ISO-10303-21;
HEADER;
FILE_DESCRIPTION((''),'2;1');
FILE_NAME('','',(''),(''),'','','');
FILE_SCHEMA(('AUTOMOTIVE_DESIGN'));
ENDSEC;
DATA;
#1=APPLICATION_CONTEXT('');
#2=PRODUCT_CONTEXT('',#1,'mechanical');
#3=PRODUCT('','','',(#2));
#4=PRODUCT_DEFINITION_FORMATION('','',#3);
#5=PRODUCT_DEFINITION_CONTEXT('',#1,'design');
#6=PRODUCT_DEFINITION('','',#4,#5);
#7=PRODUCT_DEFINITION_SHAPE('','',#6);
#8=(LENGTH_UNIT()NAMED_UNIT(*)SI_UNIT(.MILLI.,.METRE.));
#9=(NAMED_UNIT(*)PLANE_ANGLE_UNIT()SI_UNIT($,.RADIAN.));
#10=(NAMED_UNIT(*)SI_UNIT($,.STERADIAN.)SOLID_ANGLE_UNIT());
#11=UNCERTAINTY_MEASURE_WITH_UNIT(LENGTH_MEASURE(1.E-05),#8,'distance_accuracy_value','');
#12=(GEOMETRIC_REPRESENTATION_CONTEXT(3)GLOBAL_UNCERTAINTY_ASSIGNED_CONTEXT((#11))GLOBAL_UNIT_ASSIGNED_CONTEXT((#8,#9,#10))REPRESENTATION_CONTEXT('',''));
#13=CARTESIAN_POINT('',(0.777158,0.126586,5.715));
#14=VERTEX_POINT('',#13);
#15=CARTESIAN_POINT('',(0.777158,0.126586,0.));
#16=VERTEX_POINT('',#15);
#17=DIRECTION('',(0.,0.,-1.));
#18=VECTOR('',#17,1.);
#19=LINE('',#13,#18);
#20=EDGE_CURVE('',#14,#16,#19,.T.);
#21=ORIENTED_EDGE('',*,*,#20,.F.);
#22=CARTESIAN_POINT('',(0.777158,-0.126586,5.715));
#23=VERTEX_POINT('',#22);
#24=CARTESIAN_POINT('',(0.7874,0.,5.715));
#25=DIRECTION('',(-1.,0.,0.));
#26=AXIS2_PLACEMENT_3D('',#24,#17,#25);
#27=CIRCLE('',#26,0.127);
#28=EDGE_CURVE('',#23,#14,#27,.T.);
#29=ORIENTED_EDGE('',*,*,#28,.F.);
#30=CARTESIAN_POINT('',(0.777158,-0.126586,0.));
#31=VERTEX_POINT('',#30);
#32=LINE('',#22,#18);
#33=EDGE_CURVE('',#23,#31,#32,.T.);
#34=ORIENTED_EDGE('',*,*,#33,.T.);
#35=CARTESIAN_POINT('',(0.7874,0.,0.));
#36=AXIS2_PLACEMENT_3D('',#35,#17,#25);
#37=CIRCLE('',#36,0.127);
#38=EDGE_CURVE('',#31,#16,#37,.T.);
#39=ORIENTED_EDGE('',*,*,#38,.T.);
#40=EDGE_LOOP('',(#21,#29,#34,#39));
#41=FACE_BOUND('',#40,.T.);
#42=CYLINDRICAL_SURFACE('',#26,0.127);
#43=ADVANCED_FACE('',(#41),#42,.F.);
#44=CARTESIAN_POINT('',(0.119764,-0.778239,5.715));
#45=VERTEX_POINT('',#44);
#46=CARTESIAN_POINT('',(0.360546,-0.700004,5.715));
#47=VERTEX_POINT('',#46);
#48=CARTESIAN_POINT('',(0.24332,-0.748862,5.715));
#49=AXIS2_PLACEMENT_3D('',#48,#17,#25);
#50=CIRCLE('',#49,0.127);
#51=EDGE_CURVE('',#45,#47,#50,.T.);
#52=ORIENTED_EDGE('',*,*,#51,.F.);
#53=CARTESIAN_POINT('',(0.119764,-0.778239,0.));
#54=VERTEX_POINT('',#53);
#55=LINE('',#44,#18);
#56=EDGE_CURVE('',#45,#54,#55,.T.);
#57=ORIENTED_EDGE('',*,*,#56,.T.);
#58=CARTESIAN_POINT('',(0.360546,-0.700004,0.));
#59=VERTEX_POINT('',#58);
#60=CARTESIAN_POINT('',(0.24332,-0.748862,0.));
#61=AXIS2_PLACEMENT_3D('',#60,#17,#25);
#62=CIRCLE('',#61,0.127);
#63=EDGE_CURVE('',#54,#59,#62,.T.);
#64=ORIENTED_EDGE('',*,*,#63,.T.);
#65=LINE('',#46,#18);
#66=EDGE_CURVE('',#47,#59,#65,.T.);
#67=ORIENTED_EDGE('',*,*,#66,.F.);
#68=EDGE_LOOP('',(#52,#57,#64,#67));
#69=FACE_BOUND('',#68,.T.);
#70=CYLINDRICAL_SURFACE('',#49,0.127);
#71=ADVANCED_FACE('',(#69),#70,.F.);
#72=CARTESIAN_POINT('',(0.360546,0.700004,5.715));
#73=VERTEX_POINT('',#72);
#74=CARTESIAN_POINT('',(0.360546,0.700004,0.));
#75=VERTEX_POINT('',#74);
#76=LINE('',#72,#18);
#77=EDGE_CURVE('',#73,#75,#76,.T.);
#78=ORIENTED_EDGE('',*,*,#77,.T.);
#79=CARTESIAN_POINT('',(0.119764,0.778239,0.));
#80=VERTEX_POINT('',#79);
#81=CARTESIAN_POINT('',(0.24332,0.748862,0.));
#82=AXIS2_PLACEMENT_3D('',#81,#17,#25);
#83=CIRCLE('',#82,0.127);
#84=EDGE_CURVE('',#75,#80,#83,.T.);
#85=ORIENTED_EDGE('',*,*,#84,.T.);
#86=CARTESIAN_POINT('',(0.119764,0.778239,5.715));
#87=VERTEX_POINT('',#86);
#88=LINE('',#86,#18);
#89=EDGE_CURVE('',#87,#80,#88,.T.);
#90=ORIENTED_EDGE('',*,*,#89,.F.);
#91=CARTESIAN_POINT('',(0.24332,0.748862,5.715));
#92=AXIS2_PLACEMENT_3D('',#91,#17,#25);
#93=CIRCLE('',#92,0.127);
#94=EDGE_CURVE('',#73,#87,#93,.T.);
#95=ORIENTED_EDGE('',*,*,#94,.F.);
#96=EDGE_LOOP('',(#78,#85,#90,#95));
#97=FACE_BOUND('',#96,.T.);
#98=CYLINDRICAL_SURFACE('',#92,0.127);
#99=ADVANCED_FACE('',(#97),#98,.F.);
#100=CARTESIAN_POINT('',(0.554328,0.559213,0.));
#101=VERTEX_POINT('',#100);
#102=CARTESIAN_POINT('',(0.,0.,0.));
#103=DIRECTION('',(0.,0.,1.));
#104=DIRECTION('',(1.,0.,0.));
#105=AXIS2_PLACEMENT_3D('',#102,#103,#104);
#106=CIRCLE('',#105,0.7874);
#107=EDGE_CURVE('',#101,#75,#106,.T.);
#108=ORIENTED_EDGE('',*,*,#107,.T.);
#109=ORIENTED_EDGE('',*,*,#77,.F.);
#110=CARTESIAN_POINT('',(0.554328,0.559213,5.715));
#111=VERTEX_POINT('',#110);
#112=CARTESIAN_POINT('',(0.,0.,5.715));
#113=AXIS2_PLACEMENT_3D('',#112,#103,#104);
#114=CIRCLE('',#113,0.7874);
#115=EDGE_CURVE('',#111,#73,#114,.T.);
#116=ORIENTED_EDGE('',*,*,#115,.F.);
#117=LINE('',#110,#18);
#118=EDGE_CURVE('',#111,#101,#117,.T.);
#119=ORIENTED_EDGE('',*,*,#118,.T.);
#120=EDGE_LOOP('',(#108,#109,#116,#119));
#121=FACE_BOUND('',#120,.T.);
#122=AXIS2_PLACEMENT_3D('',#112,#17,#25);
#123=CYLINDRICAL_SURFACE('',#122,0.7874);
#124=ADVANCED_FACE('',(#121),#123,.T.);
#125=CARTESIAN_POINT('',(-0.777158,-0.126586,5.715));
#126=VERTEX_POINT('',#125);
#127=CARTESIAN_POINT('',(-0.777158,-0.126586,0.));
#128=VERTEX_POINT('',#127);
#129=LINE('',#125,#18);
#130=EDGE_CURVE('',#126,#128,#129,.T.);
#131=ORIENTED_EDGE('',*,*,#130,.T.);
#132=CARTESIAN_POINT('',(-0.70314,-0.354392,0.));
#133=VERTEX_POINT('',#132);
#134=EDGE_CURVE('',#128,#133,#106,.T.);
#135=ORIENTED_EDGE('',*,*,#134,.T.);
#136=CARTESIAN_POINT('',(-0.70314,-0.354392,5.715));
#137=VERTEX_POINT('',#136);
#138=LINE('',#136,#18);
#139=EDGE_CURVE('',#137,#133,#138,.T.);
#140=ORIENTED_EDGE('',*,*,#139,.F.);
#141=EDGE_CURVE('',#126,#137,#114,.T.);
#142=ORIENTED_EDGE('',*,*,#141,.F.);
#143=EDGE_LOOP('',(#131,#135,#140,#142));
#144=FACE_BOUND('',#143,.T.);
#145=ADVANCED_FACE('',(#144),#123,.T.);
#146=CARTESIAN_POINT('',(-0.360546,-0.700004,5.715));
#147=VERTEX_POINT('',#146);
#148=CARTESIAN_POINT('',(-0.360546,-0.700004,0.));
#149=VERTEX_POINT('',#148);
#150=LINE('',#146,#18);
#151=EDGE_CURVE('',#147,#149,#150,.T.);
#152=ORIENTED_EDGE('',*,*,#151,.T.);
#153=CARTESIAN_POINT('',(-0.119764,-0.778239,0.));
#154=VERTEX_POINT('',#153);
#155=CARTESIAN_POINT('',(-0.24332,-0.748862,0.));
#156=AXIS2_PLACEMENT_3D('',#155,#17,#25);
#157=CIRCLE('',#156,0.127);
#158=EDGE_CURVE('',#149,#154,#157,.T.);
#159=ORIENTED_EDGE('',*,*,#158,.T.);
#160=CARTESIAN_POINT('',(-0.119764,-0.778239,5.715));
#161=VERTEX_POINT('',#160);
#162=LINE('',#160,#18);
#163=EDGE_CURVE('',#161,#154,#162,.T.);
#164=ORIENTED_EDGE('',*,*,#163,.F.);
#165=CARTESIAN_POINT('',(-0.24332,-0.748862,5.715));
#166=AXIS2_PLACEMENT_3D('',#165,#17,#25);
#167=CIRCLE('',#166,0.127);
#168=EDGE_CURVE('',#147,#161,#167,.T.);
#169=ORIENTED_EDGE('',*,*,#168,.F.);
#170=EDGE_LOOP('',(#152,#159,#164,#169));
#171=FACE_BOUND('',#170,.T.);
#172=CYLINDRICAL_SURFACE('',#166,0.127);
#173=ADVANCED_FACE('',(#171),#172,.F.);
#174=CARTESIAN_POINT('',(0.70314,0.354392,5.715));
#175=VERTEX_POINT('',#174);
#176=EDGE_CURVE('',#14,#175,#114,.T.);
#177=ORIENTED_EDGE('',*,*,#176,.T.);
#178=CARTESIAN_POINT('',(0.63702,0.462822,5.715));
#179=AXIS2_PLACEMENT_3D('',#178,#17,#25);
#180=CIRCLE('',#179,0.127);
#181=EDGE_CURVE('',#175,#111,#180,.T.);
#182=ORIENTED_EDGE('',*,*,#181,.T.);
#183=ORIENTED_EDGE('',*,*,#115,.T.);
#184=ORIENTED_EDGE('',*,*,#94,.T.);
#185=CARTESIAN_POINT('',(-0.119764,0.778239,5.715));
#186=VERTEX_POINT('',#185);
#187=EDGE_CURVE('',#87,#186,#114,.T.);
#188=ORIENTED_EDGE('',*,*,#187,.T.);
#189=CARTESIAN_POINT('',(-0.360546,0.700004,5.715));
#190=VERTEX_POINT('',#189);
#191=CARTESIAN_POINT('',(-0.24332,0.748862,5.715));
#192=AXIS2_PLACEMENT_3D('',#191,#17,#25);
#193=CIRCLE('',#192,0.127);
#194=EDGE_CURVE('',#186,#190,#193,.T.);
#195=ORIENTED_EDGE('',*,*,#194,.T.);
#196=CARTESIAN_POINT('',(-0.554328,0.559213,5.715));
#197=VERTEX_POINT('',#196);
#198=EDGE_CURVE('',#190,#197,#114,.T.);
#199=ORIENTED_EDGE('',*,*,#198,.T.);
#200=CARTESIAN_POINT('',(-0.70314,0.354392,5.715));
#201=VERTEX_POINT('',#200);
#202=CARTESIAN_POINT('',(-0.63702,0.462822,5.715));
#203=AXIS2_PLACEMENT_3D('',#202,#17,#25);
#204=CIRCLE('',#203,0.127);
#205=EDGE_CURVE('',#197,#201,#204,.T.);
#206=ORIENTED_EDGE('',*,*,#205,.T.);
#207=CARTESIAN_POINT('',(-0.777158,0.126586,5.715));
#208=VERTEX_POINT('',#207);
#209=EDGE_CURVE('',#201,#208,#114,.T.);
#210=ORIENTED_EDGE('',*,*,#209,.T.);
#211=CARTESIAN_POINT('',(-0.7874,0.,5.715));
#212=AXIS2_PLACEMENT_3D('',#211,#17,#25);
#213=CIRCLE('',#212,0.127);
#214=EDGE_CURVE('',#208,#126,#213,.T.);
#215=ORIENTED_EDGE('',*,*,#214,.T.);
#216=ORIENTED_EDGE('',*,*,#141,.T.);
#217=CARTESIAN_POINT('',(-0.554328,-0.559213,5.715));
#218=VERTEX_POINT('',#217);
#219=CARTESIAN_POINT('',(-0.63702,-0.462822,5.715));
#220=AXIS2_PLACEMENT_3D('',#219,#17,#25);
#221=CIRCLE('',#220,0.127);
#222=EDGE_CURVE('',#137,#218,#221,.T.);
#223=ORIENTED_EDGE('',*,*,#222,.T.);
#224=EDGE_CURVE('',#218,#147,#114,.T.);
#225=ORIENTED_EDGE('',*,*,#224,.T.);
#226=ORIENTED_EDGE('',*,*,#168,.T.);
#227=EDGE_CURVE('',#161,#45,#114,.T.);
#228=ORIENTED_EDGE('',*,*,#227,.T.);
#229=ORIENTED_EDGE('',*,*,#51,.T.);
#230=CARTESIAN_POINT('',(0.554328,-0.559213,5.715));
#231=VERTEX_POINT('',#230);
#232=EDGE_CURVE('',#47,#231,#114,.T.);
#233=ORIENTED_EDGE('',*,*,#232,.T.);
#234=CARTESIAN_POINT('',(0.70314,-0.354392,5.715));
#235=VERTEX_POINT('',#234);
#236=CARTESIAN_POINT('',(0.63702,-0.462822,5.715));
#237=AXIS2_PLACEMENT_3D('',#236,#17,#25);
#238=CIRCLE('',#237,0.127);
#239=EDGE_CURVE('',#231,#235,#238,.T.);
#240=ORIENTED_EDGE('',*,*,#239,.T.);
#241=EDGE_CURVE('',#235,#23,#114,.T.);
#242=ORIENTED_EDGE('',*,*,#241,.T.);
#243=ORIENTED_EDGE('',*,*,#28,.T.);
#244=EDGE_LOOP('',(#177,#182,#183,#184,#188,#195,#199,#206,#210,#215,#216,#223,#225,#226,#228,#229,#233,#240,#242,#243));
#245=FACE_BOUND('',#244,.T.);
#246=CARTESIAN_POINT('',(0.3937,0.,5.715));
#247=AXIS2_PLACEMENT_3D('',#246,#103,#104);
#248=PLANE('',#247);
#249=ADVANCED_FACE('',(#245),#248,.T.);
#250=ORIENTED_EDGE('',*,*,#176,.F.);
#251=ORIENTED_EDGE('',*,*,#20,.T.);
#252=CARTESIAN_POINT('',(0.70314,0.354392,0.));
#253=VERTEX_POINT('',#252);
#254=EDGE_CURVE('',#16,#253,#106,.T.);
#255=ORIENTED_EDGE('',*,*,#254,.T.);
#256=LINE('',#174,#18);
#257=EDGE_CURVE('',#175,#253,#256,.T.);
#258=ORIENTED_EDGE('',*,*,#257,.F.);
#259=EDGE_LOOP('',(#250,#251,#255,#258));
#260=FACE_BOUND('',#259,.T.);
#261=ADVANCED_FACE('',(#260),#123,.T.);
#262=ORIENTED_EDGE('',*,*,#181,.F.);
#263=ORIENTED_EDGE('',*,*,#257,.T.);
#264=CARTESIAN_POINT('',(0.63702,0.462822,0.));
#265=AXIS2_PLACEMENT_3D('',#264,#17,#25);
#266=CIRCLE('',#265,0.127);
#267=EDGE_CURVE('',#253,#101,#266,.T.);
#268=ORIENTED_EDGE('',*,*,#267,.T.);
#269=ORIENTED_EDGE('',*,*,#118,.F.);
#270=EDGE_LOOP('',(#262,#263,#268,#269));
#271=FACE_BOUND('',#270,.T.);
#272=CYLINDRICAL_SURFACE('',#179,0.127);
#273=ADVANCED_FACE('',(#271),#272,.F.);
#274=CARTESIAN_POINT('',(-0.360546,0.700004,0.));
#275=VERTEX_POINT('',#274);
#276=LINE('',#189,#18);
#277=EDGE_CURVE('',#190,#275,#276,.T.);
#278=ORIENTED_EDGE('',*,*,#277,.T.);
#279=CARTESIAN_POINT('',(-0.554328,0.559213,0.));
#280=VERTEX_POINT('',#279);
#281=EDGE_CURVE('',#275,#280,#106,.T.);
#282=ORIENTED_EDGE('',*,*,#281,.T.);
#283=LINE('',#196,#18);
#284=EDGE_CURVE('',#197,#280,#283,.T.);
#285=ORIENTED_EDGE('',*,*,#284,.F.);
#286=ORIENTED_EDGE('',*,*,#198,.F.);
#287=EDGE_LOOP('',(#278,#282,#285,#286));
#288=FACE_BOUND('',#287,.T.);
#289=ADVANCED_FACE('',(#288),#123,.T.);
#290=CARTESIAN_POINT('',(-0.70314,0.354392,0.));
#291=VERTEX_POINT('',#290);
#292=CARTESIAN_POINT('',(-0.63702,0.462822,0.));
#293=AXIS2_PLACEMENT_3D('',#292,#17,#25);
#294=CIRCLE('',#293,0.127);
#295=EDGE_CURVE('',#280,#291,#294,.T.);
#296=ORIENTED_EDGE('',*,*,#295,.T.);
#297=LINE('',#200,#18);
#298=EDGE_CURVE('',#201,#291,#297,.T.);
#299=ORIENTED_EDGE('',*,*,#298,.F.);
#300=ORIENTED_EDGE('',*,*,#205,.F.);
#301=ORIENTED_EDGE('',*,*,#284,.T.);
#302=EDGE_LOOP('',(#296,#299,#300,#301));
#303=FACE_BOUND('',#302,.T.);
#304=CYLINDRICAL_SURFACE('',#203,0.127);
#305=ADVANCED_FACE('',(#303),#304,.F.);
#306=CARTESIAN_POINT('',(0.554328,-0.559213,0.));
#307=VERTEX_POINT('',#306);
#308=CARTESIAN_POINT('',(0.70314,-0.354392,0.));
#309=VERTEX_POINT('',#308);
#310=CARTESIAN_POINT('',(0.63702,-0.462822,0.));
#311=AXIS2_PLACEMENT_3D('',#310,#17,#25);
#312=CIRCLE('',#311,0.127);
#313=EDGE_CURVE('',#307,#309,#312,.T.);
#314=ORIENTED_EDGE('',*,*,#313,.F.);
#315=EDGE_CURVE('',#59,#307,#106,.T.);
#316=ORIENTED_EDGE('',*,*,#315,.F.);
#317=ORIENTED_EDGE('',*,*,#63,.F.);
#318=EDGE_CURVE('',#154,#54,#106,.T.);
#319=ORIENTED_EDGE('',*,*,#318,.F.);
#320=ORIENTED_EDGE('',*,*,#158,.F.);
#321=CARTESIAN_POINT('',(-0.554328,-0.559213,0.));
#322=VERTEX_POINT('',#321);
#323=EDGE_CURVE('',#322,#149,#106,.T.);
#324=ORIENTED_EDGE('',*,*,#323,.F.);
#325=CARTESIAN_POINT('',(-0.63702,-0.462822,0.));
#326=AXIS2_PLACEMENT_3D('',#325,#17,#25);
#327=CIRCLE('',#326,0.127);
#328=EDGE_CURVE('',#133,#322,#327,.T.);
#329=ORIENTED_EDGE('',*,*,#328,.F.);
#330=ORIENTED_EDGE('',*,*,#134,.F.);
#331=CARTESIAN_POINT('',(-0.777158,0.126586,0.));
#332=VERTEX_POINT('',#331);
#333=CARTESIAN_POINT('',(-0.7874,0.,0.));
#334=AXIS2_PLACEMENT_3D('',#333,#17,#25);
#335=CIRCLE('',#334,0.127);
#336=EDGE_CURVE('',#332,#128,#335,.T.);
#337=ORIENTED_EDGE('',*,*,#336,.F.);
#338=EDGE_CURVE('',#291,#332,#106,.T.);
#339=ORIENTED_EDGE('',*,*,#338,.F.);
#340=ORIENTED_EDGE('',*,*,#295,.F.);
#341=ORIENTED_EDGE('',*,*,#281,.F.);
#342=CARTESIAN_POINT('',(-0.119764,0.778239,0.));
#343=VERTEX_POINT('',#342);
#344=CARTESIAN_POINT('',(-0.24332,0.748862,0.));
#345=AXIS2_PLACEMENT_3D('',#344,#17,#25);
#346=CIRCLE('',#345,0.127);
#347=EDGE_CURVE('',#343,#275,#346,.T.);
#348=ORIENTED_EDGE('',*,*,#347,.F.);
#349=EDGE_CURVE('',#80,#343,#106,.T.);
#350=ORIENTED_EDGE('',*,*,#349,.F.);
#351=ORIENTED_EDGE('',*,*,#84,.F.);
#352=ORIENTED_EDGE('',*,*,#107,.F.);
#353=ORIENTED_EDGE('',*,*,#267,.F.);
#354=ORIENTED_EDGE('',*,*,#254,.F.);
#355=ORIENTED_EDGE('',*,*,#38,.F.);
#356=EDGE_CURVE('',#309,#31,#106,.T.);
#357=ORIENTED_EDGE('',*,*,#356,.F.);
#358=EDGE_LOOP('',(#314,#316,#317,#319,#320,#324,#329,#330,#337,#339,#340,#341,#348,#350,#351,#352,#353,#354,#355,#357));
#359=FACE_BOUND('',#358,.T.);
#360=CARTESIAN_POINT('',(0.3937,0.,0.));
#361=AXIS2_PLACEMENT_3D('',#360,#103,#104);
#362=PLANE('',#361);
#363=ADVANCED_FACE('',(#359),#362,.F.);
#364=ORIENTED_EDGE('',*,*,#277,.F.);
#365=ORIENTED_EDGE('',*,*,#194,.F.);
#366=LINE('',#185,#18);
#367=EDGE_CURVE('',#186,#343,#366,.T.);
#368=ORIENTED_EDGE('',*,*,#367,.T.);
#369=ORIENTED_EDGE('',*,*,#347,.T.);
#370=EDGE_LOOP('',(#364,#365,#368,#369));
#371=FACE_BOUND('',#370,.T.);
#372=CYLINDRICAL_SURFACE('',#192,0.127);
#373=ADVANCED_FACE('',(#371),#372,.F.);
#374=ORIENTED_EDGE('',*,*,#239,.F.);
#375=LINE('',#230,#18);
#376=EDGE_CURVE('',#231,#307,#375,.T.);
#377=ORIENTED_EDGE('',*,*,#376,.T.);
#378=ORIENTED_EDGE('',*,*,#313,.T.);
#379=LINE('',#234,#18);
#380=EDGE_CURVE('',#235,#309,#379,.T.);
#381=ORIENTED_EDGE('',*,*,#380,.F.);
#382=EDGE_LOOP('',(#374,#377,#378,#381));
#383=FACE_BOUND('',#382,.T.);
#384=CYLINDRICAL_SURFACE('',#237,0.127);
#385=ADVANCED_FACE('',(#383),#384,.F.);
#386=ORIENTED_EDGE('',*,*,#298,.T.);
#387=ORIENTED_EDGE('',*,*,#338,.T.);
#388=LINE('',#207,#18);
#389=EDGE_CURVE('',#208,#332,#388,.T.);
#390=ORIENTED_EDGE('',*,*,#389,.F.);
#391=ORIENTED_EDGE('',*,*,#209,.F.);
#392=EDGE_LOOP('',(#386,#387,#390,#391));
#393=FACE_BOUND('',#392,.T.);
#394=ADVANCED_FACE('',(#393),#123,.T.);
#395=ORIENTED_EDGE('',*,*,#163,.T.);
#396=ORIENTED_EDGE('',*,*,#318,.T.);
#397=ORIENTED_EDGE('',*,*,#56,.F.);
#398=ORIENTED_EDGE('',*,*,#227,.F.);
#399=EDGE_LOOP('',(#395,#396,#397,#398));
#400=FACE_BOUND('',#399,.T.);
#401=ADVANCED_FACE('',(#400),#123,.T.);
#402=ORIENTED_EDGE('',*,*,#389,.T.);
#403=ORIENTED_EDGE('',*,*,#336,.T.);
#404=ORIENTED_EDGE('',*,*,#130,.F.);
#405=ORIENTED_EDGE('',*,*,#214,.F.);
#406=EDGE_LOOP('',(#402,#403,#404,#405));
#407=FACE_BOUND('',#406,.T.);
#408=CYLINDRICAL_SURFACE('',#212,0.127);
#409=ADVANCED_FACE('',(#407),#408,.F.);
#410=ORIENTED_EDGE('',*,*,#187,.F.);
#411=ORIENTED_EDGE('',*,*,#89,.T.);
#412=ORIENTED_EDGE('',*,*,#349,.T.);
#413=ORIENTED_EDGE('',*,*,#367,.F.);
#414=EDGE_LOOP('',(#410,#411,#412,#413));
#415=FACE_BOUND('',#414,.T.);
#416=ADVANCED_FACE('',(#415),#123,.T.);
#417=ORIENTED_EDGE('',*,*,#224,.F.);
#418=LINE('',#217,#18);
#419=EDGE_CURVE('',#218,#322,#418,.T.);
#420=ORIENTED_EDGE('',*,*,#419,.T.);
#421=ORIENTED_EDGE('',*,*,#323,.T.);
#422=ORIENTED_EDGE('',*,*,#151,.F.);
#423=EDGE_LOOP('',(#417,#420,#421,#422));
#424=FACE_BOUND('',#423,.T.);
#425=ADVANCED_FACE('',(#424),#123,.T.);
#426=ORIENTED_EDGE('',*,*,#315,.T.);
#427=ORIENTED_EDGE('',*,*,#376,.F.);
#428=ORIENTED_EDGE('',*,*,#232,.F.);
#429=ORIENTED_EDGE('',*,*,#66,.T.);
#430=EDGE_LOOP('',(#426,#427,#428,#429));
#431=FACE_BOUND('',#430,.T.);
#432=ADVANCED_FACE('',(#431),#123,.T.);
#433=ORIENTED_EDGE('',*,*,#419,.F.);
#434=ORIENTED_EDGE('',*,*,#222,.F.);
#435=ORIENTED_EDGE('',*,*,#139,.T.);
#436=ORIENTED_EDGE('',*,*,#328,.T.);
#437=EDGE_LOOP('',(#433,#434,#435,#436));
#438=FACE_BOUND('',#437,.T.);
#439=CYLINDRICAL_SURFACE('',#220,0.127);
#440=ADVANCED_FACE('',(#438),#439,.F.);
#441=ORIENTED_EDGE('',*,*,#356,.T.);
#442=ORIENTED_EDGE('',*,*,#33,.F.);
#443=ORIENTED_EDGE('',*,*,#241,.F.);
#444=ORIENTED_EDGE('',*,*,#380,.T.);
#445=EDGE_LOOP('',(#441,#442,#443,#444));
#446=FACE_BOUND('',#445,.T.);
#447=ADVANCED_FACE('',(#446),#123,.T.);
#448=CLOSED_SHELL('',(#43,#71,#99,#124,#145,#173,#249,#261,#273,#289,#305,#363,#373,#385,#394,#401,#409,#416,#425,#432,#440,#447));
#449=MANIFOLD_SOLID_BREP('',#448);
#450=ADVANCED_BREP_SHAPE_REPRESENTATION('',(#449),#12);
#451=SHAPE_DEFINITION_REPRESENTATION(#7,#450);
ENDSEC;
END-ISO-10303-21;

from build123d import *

# Parameters (mm, degrees)
BOSS_EXTRUDE1_DEPTH = 5.715


with BuildPart() as part:
    # Sketch1 → Boss-Extrude1 (new body)
    with BuildSketch(Plane.XY):
        with BuildLine():
            ThreePointArc((-0.360545818, 0.70000391), (-0.462822108, 0.637019981), (-0.554328495, 0.559212553))
            ThreePointArc((-0.554328495, 0.559212553), (-0.534274823, 0.388173381), (-0.703139668, 0.354391545))
            ThreePointArc((-0.703139668, 0.354391545), (-0.748861901, 0.243319981), (-0.777158065, 0.126586345))
            ThreePointArc((-0.777158065, 0.126586345), (-0.6604, 0), (-0.777158065, -0.126586345))
            ThreePointArc((-0.777158065, -0.126586345), (-0.748861901, -0.243319981), (-0.703139668, -0.354391545))
            ThreePointArc((-0.703139668, -0.354391545), (-0.534274823, -0.388173381), (-0.554328495, -0.559212553))
            ThreePointArc((-0.554328495, -0.559212553), (-0.462822108, -0.637019981), (-0.360545818, -0.70000391))
            ThreePointArc((-0.360545818, -0.70000391), (-0.204074823, -0.628077723), (-0.119764281, -0.778238573))
            ThreePointArc((-0.119764281, -0.778238573), (0, -0.7874), (0.119764281, -0.778238573))
            ThreePointArc((0.119764281, -0.778238573), (0.204074823, -0.628077723), (0.360545818, -0.70000391))
            ThreePointArc((0.360545818, -0.70000391), (0.462822108, -0.637019981), (0.554328495, -0.559212553))
            ThreePointArc((0.554328495, -0.559212553), (0.534274823, -0.388173381), (0.703139668, -0.354391545))
            ThreePointArc((0.703139668, -0.354391545), (0.748861901, -0.243319981), (0.777158065, -0.126586345))
            ThreePointArc((0.777158065, -0.126586345), (0.6604, 0), (0.777158065, 0.126586345))
            ThreePointArc((0.777158065, 0.126586345), (0.748861901, 0.243319981), (0.703139668, 0.354391545))
            ThreePointArc((0.703139668, 0.354391545), (0.534274823, 0.388173381), (0.554328495, 0.559212553))
            ThreePointArc((0.554328495, 0.559212553), (0.462822108, 0.637019981), (0.360545818, 0.70000391))
            ThreePointArc((0.360545818, 0.70000391), (0.204074823, 0.628077723), (0.119764281, 0.778238573))
            ThreePointArc((0.119764281, 0.778238573), (0, 0.7874), (-0.119764281, 0.778238573))
            ThreePointArc((-0.119764281, 0.778238573), (-0.204074823, 0.628077723), (-0.360545818, 0.70000391))
        make_face()
    extrude(amount=BOSS_EXTRUDE1_DEPTH)


solid = part.part
